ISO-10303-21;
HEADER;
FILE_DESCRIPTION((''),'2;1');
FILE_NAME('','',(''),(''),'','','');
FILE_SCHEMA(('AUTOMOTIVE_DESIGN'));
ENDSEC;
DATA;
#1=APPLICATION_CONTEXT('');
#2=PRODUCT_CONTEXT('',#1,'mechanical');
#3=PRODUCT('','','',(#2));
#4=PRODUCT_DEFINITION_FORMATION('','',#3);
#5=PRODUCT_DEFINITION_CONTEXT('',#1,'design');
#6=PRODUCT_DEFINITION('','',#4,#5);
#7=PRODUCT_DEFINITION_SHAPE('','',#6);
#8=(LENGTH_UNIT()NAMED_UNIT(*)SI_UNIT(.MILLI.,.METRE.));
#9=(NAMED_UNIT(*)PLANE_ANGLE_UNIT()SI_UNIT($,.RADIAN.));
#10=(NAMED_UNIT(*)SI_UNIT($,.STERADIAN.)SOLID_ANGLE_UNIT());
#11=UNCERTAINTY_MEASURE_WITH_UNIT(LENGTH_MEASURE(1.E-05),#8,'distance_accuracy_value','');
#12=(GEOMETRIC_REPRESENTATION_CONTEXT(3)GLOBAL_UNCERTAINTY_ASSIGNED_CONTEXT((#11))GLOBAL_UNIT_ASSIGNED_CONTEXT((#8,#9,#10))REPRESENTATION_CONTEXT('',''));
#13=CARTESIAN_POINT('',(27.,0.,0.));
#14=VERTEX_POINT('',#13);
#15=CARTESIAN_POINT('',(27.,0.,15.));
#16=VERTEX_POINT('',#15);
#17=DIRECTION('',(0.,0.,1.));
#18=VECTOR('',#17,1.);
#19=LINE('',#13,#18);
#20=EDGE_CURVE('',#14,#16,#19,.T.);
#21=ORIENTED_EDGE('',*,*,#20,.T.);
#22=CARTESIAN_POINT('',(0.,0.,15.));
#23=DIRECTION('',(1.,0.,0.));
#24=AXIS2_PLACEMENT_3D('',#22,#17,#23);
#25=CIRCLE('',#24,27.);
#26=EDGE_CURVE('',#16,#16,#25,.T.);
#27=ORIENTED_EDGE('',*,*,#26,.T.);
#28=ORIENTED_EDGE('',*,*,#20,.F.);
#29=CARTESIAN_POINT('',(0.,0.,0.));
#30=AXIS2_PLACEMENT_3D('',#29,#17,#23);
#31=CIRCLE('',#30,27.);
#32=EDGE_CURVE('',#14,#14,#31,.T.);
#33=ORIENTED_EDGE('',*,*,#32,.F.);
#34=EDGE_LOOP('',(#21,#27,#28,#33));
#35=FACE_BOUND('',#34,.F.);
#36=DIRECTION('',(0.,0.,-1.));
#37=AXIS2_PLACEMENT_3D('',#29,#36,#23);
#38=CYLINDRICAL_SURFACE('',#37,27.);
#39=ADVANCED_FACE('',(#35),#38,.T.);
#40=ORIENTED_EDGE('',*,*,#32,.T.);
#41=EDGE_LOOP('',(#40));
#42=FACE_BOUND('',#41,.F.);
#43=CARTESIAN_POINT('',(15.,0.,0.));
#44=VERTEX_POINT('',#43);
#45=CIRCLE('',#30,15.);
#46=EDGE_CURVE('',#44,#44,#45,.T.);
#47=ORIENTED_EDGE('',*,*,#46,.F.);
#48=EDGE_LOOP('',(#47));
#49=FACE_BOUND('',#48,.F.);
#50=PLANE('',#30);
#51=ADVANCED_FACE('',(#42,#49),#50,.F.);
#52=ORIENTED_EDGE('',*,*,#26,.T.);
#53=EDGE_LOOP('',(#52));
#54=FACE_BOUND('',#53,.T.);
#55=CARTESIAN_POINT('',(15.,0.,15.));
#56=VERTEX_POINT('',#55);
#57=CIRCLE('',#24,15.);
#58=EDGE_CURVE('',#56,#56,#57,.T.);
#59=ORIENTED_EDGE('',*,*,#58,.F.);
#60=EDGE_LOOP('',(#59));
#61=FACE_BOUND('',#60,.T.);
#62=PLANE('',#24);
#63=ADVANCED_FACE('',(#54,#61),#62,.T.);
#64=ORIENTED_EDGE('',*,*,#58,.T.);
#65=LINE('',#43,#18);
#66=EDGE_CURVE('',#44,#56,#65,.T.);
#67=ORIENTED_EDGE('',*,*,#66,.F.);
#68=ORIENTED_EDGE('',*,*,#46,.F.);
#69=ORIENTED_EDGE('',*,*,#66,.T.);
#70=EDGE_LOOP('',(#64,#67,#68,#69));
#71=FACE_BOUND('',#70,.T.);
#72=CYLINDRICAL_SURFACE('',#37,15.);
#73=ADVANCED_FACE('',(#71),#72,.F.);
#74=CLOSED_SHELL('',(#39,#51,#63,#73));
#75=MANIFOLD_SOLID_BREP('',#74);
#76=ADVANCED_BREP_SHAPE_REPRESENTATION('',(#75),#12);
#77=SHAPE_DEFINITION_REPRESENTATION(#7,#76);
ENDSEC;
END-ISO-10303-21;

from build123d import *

# Parameters (mm, degrees)
SKIZZE1_R                       = 27
SKIZZE1_R_2                     = 15
AUFSATZ_LINEAR_AUSTRAGEN1_DEPTH = 15


with BuildPart() as part:
    # Skizze1 → Aufsatz-Linear austragen1 (new body)
    with BuildSketch(Plane.XY):
        Circle(SKIZZE1_R)
        Circle(SKIZZE1_R_2, mode=Mode.SUBTRACT)
    extrude(amount=AUFSATZ_LINEAR_AUSTRAGEN1_DEPTH)


solid = part.part
